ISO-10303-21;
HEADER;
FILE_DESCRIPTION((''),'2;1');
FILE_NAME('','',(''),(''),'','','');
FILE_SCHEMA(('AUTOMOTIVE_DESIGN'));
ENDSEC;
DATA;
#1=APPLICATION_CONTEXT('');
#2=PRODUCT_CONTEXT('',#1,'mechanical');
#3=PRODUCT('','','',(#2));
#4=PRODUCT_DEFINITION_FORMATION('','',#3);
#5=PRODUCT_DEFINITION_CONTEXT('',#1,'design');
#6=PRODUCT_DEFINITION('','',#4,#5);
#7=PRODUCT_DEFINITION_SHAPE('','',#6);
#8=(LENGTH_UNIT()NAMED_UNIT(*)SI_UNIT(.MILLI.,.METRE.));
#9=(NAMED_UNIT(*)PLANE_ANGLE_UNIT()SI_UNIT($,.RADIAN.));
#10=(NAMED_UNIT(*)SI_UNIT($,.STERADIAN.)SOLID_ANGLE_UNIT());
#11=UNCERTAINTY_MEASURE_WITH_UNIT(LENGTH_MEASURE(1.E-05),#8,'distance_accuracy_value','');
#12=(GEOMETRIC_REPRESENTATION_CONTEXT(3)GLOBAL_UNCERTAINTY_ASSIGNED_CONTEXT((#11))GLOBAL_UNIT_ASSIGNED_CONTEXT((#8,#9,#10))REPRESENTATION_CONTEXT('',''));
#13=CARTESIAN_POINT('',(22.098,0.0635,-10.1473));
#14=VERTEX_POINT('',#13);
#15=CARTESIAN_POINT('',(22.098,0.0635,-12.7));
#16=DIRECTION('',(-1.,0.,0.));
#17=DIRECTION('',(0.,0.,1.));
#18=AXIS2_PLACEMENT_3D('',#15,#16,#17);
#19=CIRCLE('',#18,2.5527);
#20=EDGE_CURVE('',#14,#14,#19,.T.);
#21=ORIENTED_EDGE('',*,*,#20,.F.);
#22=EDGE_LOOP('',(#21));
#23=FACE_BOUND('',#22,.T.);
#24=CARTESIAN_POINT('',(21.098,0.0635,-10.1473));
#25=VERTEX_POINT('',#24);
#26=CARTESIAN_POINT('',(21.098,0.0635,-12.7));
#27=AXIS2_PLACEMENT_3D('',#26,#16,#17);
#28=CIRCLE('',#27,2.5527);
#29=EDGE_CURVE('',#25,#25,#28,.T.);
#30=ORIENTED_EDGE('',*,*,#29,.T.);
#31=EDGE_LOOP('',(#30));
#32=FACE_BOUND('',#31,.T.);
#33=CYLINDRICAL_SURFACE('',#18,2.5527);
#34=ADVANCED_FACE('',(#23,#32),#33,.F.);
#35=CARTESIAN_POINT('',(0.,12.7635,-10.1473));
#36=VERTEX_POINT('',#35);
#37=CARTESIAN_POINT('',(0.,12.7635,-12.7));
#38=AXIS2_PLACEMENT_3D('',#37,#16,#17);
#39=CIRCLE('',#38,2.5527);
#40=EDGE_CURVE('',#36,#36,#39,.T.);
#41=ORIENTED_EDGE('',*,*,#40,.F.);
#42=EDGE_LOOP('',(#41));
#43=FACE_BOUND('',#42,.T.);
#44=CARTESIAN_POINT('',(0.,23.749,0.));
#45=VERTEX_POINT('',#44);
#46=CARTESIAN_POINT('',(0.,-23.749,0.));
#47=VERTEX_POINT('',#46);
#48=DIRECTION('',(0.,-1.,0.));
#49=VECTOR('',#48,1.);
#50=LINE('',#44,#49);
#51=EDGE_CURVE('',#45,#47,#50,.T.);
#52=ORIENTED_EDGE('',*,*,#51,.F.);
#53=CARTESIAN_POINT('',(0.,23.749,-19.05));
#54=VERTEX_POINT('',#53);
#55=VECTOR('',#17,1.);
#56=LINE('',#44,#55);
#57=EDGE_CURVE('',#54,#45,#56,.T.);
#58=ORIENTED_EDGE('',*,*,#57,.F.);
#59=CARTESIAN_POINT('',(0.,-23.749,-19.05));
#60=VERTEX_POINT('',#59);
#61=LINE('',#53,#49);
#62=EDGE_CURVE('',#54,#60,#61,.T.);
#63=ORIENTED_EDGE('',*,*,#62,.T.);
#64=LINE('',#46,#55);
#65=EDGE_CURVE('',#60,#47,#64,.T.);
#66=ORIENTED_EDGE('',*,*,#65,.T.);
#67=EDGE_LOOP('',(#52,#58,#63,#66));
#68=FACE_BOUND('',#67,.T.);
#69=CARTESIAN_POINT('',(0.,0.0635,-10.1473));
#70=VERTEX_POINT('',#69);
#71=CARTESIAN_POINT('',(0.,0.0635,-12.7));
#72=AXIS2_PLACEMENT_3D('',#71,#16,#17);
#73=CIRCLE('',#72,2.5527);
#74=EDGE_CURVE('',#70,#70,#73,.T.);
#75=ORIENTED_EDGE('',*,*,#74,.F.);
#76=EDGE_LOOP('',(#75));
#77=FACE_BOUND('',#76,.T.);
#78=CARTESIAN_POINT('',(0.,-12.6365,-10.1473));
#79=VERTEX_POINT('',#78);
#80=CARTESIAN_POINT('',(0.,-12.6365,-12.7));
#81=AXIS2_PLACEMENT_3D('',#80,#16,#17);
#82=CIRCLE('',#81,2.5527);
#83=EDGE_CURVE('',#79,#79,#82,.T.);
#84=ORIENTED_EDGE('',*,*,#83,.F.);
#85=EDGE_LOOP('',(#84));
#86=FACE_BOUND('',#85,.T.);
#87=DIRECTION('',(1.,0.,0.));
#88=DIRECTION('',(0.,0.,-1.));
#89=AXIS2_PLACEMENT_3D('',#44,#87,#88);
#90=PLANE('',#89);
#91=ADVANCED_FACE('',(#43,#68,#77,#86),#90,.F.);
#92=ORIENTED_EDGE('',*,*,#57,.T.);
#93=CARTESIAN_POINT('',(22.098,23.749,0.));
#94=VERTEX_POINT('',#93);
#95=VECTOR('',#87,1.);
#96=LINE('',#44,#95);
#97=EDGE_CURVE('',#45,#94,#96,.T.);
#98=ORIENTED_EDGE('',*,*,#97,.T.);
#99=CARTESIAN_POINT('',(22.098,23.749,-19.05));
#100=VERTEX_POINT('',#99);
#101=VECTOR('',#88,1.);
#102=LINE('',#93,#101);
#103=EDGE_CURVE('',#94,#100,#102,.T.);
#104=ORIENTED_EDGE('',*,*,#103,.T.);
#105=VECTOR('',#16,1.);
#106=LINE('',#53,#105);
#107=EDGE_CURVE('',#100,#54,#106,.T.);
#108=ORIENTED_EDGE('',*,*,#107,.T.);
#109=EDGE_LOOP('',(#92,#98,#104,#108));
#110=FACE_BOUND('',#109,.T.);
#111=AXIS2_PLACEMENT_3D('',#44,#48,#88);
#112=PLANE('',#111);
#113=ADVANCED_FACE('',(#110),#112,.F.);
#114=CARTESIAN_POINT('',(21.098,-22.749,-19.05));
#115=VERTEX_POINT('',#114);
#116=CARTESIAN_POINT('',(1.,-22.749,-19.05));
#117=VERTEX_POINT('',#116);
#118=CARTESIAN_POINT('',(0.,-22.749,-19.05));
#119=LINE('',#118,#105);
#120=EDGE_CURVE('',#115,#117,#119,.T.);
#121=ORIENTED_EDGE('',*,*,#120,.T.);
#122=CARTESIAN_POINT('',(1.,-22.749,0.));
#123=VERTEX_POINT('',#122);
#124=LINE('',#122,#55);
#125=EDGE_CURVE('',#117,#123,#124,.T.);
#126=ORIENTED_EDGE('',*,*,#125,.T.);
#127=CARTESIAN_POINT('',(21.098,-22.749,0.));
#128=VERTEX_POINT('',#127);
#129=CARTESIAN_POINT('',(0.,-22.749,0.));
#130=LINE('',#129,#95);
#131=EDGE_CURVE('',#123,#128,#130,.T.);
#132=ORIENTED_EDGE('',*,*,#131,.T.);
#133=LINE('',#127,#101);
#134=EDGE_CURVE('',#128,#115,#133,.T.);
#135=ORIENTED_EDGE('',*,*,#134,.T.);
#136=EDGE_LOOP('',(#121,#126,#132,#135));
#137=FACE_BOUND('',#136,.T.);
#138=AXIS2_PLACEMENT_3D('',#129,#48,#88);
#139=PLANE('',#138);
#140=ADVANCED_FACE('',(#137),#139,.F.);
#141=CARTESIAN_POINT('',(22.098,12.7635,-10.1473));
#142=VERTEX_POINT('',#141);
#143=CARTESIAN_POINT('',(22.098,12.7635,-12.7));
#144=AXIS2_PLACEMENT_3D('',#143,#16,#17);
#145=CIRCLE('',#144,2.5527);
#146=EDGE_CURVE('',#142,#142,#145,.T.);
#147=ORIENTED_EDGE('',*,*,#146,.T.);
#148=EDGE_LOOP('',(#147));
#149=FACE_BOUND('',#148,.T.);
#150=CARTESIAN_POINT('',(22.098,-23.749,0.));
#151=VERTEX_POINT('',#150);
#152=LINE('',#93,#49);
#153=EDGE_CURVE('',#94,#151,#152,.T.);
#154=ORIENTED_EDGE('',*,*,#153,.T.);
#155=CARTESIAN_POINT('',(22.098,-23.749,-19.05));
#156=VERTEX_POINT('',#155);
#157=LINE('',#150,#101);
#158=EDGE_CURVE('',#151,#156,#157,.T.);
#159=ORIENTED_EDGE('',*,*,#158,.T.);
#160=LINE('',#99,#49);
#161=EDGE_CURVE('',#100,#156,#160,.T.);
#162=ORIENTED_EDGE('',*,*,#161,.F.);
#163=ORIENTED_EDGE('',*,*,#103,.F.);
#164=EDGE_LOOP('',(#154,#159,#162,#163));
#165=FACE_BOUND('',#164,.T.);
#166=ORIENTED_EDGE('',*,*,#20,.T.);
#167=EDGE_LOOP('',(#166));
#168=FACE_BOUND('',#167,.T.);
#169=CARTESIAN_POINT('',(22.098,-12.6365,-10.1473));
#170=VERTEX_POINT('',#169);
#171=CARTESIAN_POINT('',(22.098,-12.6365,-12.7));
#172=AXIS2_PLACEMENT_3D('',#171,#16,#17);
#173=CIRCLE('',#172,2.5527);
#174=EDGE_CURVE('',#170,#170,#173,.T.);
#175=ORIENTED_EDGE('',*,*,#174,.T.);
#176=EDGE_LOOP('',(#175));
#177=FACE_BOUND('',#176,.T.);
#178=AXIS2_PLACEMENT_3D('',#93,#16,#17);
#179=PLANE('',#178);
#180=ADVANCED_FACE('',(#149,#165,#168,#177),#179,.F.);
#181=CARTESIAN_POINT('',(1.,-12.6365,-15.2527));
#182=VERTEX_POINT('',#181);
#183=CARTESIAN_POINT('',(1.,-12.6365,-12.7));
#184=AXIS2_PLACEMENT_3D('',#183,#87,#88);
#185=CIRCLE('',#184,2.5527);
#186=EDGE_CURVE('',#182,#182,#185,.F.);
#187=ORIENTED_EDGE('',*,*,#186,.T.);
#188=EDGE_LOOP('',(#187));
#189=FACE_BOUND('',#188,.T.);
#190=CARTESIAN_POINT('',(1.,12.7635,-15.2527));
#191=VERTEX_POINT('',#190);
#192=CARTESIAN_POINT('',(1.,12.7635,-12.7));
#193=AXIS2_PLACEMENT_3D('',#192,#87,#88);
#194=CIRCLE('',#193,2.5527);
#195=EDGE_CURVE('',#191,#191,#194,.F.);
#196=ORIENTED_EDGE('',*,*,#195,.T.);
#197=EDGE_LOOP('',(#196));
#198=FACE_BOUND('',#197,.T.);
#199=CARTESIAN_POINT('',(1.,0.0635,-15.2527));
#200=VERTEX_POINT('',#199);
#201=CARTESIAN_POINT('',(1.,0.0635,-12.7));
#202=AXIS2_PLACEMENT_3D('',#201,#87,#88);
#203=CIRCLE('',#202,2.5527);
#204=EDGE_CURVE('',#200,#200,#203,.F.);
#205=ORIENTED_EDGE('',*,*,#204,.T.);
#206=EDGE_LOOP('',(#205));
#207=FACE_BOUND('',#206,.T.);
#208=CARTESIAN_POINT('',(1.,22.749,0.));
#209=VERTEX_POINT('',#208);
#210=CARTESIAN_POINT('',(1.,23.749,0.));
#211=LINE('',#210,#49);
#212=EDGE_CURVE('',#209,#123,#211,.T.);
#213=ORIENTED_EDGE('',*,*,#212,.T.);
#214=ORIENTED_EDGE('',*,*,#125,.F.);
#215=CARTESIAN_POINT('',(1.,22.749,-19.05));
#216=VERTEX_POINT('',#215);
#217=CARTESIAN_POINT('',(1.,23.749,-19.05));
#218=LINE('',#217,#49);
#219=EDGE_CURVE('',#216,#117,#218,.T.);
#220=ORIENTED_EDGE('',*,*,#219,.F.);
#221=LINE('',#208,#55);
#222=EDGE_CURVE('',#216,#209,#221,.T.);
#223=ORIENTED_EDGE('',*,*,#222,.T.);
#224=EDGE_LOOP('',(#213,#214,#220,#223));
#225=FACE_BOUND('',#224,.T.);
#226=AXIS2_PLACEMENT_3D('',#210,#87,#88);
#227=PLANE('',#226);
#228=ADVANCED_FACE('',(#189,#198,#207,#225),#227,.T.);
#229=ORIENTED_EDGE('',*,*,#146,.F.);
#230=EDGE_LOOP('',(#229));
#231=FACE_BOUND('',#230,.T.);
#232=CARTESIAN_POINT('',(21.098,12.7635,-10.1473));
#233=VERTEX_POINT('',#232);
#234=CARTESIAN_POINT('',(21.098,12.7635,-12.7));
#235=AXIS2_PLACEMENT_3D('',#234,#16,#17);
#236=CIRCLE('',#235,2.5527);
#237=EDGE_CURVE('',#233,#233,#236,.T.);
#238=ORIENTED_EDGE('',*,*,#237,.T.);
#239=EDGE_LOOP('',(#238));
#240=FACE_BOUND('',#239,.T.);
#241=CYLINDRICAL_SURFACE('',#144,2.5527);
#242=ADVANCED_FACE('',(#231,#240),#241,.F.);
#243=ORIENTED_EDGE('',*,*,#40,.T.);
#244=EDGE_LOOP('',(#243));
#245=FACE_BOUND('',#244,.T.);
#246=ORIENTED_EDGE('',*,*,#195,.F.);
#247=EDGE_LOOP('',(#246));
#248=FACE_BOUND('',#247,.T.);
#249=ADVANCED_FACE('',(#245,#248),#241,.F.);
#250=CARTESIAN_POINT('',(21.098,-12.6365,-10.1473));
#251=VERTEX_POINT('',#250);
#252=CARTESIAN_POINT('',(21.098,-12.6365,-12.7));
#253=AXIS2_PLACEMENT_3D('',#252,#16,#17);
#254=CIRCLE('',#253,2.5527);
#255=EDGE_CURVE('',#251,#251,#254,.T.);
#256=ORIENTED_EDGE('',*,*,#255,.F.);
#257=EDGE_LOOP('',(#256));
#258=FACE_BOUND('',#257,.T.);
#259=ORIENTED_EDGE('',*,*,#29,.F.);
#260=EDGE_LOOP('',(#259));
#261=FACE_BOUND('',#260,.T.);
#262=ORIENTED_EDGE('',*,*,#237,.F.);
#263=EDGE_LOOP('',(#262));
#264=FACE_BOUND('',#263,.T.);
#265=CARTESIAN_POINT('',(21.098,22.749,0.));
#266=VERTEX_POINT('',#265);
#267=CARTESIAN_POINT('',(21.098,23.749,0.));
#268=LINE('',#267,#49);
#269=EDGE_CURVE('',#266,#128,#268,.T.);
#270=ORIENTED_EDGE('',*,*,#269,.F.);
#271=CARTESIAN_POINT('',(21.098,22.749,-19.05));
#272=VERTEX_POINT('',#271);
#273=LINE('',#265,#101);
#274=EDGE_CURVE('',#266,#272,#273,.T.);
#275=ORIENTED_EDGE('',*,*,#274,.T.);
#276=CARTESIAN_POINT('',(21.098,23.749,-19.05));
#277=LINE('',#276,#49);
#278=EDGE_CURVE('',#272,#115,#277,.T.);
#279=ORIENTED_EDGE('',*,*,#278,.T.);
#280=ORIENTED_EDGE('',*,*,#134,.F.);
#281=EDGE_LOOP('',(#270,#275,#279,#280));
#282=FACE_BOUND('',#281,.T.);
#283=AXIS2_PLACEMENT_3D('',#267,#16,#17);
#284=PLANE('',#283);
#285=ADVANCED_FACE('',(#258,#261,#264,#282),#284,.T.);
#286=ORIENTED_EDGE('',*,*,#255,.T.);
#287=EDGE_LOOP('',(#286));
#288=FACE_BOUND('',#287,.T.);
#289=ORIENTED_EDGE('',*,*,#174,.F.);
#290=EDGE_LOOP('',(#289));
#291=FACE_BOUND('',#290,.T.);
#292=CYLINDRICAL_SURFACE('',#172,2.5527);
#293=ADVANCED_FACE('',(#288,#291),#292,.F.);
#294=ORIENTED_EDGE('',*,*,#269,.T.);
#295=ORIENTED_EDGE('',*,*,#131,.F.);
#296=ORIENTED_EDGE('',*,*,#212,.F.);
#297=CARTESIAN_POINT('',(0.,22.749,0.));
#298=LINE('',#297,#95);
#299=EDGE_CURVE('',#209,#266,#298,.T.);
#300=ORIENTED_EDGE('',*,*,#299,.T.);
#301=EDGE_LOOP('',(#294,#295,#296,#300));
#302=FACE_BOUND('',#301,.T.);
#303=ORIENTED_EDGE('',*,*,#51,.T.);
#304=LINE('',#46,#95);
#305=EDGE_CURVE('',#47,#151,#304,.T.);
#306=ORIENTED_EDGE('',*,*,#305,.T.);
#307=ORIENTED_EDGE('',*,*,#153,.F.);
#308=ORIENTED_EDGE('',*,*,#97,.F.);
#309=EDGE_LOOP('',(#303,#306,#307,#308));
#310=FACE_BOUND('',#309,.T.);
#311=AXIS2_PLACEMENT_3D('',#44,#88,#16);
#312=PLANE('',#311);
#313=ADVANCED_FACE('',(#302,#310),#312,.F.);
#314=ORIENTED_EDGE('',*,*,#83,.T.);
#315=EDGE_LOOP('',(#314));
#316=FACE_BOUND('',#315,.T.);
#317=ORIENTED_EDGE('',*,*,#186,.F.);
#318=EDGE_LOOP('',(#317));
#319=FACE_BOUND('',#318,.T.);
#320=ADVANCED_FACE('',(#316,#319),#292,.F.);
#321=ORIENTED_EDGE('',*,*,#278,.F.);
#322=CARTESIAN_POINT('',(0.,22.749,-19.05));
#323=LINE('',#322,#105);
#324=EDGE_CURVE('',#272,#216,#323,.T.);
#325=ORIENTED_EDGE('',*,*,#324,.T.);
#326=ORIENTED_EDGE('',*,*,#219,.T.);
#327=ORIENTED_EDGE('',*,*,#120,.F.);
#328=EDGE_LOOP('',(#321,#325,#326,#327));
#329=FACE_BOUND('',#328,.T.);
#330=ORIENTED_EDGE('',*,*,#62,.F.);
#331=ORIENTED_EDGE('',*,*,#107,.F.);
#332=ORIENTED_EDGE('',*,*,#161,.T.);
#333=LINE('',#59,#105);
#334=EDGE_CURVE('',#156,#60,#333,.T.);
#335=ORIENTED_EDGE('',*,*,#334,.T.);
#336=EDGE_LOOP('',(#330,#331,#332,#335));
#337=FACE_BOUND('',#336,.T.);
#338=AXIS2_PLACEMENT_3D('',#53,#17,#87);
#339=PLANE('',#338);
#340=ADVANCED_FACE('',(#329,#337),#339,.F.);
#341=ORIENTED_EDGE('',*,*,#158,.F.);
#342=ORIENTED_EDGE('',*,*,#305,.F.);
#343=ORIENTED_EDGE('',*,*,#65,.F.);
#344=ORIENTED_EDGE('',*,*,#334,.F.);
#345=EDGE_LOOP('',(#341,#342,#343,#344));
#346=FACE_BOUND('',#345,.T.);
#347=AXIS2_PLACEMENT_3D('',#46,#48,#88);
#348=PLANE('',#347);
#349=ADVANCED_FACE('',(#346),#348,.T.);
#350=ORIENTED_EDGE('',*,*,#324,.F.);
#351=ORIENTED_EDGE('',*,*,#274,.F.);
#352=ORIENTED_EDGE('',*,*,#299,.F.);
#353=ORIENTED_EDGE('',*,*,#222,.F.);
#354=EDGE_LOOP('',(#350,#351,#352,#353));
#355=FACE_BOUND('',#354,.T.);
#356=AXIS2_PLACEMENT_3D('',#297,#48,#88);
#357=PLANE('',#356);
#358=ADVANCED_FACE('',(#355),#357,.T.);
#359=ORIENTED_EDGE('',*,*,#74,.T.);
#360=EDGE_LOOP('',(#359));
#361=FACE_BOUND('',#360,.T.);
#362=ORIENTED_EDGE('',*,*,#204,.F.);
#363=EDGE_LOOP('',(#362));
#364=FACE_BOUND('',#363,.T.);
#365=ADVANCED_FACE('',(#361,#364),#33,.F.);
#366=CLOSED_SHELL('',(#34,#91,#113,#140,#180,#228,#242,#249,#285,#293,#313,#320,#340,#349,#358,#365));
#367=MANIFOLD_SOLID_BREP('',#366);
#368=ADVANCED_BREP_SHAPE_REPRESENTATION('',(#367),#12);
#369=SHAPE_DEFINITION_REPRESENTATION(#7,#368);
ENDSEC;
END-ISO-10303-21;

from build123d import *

# Parameters (mm, degrees)
SKETCH1_W           = 22.098
SKETCH1_H           = 19.05
BOSS_EXTRUDE1_DEPTH = 23.749
SKETCH2_R           = 2.5527
CUT_EXTRUDE1_DEPTH  = 38.619663808
SHELL1_T            = -1.000000032


with BuildPart() as part:
    # Sketch1 → Boss-Extrude1 (new, symmetric)
    with BuildSketch(Plane(origin=(0, 0, 0), x_dir=(1, 0, 0), z_dir=(0, 1, 0))):
        with Locations((11.049, 9.525)):
            Rectangle(SKETCH1_W, SKETCH1_H)
    extrude(amount=BOSS_EXTRUDE1_DEPTH, both=True)

    # Sketch2 → Cut-Extrude1 (cut, through all)
    with BuildSketch(Plane.ZY):
        with Locations((-12.7, 12.7635)):
            Circle(SKETCH2_R)
        with Locations((-12.7, -12.6365)):
            Circle(SKETCH2_R)
        with Locations((-12.7, 0.0635)):
            Circle(SKETCH2_R)
    extrude(amount=-CUT_EXTRUDE1_DEPTH, mode=Mode.SUBTRACT)

    # Shell1
    shell1_openings = [part.faces().sort_by_distance(p)[0] for p in [
        (11.049, 12.7635, -15.2527),
        (11.049, -12.6365, -15.2527),
        (11.049, 0.0635, -15.2527),
        (11.049, 0, -19.05),
        (11.049, 0, 0),
    ]]
    offset(amount=SHELL1_T, openings=shell1_openings, kind=Kind.INTERSECTION)


solid = part.part
